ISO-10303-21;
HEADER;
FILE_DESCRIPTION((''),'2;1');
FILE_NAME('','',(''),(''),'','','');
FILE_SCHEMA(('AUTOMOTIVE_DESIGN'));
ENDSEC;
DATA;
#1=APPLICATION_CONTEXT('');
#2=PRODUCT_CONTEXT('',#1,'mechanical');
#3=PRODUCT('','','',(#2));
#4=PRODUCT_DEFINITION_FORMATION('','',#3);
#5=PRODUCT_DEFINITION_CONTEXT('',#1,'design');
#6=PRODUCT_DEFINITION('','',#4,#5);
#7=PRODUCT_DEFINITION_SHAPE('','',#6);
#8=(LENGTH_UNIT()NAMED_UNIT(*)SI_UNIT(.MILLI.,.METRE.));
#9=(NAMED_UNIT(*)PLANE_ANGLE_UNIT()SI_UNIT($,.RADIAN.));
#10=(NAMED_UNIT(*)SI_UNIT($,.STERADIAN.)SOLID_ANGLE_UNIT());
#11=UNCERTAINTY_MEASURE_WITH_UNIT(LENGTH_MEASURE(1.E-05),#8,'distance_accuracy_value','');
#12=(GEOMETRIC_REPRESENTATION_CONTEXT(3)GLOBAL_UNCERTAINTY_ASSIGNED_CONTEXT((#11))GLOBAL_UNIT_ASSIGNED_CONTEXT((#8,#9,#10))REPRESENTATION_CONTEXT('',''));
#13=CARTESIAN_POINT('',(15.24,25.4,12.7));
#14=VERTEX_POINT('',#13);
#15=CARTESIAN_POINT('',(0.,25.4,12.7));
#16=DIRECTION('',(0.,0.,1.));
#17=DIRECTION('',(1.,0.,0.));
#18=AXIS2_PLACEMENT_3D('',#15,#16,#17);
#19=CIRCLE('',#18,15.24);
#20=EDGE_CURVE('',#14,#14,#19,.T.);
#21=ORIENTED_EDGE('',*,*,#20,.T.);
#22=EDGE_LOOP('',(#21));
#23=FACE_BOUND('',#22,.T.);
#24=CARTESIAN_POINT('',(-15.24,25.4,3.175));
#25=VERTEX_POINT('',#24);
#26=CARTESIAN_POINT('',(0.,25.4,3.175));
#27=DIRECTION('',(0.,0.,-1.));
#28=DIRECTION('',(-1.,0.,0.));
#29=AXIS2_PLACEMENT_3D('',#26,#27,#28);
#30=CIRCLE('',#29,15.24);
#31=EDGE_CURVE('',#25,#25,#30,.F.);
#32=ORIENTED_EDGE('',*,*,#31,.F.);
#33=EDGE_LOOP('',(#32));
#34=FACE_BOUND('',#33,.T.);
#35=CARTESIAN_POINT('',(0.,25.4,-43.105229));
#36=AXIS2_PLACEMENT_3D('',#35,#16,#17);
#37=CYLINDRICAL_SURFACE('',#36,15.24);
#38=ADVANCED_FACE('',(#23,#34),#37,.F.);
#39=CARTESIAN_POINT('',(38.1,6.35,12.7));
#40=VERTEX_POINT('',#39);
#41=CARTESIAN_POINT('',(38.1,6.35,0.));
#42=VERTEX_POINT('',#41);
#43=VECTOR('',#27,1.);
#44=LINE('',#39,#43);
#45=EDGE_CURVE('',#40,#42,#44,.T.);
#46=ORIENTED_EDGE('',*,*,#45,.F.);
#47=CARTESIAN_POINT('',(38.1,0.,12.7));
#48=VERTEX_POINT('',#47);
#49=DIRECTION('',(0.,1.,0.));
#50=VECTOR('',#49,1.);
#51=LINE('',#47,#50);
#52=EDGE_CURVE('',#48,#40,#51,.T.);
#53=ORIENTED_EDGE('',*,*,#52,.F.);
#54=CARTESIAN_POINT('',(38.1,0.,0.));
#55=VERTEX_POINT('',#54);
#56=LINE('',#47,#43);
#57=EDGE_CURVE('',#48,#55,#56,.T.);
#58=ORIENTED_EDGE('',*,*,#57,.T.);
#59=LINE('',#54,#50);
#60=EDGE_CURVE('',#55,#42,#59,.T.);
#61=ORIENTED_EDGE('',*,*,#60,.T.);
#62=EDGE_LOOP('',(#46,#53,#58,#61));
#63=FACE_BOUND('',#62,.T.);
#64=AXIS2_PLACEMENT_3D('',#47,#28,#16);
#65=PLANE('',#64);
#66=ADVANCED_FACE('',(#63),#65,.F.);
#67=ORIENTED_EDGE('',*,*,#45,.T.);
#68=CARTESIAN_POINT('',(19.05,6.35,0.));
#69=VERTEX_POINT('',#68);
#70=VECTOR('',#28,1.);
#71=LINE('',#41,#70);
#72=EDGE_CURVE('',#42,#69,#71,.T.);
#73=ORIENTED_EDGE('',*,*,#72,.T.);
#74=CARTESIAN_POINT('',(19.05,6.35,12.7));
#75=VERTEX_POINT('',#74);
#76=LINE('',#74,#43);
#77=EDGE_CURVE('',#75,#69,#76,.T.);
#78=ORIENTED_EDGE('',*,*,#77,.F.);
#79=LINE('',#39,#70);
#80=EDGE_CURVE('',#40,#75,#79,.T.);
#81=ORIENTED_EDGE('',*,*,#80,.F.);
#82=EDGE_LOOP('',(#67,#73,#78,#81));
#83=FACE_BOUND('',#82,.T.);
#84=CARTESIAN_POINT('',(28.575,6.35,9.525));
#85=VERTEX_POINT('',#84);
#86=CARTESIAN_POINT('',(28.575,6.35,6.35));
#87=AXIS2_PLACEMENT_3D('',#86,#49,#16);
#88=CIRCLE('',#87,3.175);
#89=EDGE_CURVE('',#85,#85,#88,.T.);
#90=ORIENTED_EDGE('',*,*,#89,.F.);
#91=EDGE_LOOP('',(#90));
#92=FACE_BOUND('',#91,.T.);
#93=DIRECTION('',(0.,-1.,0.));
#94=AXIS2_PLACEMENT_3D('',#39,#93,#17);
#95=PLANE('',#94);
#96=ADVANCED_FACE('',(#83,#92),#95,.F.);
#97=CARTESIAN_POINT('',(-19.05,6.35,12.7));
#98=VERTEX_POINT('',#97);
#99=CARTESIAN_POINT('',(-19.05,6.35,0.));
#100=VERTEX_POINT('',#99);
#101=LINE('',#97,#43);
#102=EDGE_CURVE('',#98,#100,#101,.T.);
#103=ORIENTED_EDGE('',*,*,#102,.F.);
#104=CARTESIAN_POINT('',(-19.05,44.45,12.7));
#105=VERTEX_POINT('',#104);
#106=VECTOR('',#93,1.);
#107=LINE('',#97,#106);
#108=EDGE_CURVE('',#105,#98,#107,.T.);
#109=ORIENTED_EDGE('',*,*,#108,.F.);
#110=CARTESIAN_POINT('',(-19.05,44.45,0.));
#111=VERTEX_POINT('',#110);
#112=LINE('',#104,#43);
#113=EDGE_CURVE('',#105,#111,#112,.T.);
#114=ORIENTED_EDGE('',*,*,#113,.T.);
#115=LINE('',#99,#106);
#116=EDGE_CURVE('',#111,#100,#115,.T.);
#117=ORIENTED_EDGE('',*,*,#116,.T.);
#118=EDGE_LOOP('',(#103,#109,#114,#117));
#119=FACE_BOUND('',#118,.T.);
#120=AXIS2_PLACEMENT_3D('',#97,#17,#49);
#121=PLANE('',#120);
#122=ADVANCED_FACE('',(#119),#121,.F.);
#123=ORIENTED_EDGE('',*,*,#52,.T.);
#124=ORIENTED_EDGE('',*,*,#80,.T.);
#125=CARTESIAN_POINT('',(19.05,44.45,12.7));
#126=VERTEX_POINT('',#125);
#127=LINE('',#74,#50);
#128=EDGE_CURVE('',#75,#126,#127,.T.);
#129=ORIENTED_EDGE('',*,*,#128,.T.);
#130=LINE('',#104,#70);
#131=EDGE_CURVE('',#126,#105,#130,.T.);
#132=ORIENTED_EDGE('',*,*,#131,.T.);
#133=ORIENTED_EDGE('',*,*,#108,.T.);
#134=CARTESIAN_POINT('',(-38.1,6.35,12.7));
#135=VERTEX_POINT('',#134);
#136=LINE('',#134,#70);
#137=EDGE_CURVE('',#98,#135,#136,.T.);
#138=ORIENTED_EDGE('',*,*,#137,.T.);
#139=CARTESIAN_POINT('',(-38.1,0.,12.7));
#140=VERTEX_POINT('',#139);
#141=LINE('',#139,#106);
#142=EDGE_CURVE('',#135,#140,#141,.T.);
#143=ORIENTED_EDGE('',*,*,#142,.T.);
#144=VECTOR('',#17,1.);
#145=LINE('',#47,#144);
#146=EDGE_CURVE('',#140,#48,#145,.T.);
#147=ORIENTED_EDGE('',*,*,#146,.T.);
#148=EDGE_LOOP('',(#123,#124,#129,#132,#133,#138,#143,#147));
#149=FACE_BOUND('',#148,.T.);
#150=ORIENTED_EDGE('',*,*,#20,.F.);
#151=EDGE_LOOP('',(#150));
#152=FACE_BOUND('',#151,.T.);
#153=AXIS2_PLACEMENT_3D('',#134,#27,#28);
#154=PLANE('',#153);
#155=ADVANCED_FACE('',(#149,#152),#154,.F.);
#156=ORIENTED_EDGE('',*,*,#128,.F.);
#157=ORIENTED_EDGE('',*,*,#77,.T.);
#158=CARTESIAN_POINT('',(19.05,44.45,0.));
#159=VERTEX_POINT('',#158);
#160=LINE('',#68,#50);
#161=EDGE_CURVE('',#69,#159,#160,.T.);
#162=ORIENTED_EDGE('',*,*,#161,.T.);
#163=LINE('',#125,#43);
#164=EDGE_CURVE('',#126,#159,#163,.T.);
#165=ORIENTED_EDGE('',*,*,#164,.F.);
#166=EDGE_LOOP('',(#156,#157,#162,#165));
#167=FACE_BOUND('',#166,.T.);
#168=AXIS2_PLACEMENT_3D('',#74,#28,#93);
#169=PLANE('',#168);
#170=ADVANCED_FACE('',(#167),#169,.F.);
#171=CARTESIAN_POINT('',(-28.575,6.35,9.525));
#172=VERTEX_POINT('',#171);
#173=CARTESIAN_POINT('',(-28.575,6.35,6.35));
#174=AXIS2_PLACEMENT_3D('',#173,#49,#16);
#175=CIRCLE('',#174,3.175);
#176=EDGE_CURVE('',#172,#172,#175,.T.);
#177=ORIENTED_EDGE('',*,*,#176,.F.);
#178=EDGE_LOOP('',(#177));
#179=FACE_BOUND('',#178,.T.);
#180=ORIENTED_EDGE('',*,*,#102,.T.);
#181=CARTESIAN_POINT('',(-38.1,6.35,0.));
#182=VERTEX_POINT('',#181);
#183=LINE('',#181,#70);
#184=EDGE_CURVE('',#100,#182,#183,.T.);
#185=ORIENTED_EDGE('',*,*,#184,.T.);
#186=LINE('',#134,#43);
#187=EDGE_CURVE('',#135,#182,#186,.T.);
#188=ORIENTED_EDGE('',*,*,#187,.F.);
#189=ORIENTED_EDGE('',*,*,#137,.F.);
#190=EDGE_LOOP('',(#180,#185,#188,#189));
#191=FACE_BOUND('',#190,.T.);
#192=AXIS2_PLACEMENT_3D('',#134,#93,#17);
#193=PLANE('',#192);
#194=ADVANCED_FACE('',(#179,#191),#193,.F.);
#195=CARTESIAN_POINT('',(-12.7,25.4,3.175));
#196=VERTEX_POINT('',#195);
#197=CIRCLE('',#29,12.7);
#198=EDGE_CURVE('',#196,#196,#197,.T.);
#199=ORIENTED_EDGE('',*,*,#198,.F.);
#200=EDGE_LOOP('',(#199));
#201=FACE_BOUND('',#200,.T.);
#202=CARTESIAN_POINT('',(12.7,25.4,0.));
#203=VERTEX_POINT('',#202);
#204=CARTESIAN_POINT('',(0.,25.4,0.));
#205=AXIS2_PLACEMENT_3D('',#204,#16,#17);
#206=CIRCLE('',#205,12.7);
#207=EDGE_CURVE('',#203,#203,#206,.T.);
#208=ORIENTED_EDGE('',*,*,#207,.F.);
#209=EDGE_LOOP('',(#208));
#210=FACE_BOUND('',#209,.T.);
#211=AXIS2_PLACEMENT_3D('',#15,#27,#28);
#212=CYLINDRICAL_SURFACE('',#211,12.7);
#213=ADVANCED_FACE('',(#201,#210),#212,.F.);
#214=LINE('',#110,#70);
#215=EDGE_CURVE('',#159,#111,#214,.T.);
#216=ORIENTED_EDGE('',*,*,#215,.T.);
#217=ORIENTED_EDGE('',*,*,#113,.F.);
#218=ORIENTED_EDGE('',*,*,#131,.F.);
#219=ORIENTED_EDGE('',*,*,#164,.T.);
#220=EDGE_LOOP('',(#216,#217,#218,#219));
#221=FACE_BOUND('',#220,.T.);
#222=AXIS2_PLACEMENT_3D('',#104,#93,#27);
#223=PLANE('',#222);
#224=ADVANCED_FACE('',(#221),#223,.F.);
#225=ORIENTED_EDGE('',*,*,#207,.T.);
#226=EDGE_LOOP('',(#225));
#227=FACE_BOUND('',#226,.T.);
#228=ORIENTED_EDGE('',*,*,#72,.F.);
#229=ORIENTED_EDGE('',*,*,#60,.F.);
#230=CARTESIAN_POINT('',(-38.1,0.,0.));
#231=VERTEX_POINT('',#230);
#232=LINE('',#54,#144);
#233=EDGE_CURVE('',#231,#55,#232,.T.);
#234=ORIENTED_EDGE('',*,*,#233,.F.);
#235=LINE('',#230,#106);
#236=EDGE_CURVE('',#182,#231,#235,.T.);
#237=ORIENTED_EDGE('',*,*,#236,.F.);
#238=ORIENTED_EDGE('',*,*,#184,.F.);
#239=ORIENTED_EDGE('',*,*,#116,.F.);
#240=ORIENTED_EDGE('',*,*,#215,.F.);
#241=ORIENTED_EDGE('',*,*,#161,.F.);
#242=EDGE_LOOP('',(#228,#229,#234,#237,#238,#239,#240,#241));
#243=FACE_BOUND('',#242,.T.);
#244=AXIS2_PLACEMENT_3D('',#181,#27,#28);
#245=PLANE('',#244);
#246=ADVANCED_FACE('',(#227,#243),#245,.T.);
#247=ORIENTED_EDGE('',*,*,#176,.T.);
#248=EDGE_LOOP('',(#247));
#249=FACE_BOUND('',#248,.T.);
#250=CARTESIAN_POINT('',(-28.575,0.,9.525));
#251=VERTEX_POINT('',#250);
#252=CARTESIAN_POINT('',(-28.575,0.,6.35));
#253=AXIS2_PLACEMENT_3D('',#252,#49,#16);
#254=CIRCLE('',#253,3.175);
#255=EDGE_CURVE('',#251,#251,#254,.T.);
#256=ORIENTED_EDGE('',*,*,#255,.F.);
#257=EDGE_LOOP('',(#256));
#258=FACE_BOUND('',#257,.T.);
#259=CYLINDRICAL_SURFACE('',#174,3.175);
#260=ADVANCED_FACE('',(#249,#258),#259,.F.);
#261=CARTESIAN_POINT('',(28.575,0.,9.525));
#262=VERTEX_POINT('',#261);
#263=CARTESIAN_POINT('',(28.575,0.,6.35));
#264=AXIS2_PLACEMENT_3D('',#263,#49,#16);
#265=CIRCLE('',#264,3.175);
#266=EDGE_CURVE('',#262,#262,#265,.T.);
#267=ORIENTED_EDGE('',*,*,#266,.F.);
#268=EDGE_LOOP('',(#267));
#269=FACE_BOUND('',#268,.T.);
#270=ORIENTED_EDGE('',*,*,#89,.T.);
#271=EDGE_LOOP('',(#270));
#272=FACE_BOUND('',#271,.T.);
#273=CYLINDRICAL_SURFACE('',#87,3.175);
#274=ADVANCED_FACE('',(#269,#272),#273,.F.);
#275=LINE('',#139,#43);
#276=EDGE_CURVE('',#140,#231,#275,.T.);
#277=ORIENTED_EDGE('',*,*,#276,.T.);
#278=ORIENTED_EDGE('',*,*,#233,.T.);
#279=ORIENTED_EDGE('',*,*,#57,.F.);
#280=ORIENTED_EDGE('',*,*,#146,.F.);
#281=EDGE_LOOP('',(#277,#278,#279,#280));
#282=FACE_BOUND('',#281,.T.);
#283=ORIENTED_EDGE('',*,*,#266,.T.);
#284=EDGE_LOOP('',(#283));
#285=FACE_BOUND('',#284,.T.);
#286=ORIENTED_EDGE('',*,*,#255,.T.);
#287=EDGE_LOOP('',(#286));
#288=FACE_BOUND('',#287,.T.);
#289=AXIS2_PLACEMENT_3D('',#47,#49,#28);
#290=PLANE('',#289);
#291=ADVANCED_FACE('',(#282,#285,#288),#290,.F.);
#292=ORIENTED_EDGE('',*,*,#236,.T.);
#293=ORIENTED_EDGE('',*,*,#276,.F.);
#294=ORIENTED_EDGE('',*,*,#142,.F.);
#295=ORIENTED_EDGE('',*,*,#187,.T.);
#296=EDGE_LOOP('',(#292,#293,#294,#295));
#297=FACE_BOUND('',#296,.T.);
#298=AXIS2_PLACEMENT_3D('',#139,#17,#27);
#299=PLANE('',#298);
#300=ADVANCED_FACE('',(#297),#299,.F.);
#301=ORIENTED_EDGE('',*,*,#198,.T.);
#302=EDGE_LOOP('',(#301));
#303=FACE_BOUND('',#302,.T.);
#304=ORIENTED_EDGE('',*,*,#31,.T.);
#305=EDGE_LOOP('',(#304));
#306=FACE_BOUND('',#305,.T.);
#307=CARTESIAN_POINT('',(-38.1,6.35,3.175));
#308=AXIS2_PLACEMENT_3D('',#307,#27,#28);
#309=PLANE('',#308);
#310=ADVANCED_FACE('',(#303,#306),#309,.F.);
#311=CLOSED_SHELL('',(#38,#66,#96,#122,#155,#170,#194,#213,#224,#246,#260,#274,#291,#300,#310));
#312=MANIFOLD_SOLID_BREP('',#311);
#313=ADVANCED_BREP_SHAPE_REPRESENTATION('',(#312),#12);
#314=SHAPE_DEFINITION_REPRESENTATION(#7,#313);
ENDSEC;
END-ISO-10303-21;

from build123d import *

# Parameters (mm, degrees)
SKETCH1_R                   = 12.7
BOSS_EXTRUDE1_DEPTH         = 12.7
SKETCH2_R                   = 15.24
CUT_EXTRUDE1_DEPTH          = 9.525
F_1_4_0_25_DIAMETER_HOLE1_D = 6.35


with BuildPart() as part:
    # Sketch1 → Boss-Extrude1 (new body)
    with BuildSketch(Plane.XY):
        Polygon((38.1, 0), (-38.1, 0), (-38.1, 6.35), (-19.05, 6.35), (-19.05, 44.45), (19.05, 44.45), (19.05, 6.35), (38.1, 6.35), align=None)
        with Locations((0, 25.4)):
            Circle(SKETCH1_R, mode=Mode.SUBTRACT)
    extrude(amount=BOSS_EXTRUDE1_DEPTH)

    # Sketch2 → Cut-Extrude1 (cut)
    with BuildSketch(Plane.XY.offset(12.7)):
        with Locations((0, 25.4)):
            Circle(SKETCH2_R)
    extrude(amount=-CUT_EXTRUDE1_DEPTH, mode=Mode.SUBTRACT)

    # 1/4 (0.25) Diameter Hole1 (through all)
    with Locations(Plane(origin=(-28.575, 6.35, 6.35), x_dir=(1, 0, 0), z_dir=(0, 1, 0))):
        with Locations((0, 0), (57.15, 0)):
            Hole(F_1_4_0_25_DIAMETER_HOLE1_D / 2)


solid = part.part
